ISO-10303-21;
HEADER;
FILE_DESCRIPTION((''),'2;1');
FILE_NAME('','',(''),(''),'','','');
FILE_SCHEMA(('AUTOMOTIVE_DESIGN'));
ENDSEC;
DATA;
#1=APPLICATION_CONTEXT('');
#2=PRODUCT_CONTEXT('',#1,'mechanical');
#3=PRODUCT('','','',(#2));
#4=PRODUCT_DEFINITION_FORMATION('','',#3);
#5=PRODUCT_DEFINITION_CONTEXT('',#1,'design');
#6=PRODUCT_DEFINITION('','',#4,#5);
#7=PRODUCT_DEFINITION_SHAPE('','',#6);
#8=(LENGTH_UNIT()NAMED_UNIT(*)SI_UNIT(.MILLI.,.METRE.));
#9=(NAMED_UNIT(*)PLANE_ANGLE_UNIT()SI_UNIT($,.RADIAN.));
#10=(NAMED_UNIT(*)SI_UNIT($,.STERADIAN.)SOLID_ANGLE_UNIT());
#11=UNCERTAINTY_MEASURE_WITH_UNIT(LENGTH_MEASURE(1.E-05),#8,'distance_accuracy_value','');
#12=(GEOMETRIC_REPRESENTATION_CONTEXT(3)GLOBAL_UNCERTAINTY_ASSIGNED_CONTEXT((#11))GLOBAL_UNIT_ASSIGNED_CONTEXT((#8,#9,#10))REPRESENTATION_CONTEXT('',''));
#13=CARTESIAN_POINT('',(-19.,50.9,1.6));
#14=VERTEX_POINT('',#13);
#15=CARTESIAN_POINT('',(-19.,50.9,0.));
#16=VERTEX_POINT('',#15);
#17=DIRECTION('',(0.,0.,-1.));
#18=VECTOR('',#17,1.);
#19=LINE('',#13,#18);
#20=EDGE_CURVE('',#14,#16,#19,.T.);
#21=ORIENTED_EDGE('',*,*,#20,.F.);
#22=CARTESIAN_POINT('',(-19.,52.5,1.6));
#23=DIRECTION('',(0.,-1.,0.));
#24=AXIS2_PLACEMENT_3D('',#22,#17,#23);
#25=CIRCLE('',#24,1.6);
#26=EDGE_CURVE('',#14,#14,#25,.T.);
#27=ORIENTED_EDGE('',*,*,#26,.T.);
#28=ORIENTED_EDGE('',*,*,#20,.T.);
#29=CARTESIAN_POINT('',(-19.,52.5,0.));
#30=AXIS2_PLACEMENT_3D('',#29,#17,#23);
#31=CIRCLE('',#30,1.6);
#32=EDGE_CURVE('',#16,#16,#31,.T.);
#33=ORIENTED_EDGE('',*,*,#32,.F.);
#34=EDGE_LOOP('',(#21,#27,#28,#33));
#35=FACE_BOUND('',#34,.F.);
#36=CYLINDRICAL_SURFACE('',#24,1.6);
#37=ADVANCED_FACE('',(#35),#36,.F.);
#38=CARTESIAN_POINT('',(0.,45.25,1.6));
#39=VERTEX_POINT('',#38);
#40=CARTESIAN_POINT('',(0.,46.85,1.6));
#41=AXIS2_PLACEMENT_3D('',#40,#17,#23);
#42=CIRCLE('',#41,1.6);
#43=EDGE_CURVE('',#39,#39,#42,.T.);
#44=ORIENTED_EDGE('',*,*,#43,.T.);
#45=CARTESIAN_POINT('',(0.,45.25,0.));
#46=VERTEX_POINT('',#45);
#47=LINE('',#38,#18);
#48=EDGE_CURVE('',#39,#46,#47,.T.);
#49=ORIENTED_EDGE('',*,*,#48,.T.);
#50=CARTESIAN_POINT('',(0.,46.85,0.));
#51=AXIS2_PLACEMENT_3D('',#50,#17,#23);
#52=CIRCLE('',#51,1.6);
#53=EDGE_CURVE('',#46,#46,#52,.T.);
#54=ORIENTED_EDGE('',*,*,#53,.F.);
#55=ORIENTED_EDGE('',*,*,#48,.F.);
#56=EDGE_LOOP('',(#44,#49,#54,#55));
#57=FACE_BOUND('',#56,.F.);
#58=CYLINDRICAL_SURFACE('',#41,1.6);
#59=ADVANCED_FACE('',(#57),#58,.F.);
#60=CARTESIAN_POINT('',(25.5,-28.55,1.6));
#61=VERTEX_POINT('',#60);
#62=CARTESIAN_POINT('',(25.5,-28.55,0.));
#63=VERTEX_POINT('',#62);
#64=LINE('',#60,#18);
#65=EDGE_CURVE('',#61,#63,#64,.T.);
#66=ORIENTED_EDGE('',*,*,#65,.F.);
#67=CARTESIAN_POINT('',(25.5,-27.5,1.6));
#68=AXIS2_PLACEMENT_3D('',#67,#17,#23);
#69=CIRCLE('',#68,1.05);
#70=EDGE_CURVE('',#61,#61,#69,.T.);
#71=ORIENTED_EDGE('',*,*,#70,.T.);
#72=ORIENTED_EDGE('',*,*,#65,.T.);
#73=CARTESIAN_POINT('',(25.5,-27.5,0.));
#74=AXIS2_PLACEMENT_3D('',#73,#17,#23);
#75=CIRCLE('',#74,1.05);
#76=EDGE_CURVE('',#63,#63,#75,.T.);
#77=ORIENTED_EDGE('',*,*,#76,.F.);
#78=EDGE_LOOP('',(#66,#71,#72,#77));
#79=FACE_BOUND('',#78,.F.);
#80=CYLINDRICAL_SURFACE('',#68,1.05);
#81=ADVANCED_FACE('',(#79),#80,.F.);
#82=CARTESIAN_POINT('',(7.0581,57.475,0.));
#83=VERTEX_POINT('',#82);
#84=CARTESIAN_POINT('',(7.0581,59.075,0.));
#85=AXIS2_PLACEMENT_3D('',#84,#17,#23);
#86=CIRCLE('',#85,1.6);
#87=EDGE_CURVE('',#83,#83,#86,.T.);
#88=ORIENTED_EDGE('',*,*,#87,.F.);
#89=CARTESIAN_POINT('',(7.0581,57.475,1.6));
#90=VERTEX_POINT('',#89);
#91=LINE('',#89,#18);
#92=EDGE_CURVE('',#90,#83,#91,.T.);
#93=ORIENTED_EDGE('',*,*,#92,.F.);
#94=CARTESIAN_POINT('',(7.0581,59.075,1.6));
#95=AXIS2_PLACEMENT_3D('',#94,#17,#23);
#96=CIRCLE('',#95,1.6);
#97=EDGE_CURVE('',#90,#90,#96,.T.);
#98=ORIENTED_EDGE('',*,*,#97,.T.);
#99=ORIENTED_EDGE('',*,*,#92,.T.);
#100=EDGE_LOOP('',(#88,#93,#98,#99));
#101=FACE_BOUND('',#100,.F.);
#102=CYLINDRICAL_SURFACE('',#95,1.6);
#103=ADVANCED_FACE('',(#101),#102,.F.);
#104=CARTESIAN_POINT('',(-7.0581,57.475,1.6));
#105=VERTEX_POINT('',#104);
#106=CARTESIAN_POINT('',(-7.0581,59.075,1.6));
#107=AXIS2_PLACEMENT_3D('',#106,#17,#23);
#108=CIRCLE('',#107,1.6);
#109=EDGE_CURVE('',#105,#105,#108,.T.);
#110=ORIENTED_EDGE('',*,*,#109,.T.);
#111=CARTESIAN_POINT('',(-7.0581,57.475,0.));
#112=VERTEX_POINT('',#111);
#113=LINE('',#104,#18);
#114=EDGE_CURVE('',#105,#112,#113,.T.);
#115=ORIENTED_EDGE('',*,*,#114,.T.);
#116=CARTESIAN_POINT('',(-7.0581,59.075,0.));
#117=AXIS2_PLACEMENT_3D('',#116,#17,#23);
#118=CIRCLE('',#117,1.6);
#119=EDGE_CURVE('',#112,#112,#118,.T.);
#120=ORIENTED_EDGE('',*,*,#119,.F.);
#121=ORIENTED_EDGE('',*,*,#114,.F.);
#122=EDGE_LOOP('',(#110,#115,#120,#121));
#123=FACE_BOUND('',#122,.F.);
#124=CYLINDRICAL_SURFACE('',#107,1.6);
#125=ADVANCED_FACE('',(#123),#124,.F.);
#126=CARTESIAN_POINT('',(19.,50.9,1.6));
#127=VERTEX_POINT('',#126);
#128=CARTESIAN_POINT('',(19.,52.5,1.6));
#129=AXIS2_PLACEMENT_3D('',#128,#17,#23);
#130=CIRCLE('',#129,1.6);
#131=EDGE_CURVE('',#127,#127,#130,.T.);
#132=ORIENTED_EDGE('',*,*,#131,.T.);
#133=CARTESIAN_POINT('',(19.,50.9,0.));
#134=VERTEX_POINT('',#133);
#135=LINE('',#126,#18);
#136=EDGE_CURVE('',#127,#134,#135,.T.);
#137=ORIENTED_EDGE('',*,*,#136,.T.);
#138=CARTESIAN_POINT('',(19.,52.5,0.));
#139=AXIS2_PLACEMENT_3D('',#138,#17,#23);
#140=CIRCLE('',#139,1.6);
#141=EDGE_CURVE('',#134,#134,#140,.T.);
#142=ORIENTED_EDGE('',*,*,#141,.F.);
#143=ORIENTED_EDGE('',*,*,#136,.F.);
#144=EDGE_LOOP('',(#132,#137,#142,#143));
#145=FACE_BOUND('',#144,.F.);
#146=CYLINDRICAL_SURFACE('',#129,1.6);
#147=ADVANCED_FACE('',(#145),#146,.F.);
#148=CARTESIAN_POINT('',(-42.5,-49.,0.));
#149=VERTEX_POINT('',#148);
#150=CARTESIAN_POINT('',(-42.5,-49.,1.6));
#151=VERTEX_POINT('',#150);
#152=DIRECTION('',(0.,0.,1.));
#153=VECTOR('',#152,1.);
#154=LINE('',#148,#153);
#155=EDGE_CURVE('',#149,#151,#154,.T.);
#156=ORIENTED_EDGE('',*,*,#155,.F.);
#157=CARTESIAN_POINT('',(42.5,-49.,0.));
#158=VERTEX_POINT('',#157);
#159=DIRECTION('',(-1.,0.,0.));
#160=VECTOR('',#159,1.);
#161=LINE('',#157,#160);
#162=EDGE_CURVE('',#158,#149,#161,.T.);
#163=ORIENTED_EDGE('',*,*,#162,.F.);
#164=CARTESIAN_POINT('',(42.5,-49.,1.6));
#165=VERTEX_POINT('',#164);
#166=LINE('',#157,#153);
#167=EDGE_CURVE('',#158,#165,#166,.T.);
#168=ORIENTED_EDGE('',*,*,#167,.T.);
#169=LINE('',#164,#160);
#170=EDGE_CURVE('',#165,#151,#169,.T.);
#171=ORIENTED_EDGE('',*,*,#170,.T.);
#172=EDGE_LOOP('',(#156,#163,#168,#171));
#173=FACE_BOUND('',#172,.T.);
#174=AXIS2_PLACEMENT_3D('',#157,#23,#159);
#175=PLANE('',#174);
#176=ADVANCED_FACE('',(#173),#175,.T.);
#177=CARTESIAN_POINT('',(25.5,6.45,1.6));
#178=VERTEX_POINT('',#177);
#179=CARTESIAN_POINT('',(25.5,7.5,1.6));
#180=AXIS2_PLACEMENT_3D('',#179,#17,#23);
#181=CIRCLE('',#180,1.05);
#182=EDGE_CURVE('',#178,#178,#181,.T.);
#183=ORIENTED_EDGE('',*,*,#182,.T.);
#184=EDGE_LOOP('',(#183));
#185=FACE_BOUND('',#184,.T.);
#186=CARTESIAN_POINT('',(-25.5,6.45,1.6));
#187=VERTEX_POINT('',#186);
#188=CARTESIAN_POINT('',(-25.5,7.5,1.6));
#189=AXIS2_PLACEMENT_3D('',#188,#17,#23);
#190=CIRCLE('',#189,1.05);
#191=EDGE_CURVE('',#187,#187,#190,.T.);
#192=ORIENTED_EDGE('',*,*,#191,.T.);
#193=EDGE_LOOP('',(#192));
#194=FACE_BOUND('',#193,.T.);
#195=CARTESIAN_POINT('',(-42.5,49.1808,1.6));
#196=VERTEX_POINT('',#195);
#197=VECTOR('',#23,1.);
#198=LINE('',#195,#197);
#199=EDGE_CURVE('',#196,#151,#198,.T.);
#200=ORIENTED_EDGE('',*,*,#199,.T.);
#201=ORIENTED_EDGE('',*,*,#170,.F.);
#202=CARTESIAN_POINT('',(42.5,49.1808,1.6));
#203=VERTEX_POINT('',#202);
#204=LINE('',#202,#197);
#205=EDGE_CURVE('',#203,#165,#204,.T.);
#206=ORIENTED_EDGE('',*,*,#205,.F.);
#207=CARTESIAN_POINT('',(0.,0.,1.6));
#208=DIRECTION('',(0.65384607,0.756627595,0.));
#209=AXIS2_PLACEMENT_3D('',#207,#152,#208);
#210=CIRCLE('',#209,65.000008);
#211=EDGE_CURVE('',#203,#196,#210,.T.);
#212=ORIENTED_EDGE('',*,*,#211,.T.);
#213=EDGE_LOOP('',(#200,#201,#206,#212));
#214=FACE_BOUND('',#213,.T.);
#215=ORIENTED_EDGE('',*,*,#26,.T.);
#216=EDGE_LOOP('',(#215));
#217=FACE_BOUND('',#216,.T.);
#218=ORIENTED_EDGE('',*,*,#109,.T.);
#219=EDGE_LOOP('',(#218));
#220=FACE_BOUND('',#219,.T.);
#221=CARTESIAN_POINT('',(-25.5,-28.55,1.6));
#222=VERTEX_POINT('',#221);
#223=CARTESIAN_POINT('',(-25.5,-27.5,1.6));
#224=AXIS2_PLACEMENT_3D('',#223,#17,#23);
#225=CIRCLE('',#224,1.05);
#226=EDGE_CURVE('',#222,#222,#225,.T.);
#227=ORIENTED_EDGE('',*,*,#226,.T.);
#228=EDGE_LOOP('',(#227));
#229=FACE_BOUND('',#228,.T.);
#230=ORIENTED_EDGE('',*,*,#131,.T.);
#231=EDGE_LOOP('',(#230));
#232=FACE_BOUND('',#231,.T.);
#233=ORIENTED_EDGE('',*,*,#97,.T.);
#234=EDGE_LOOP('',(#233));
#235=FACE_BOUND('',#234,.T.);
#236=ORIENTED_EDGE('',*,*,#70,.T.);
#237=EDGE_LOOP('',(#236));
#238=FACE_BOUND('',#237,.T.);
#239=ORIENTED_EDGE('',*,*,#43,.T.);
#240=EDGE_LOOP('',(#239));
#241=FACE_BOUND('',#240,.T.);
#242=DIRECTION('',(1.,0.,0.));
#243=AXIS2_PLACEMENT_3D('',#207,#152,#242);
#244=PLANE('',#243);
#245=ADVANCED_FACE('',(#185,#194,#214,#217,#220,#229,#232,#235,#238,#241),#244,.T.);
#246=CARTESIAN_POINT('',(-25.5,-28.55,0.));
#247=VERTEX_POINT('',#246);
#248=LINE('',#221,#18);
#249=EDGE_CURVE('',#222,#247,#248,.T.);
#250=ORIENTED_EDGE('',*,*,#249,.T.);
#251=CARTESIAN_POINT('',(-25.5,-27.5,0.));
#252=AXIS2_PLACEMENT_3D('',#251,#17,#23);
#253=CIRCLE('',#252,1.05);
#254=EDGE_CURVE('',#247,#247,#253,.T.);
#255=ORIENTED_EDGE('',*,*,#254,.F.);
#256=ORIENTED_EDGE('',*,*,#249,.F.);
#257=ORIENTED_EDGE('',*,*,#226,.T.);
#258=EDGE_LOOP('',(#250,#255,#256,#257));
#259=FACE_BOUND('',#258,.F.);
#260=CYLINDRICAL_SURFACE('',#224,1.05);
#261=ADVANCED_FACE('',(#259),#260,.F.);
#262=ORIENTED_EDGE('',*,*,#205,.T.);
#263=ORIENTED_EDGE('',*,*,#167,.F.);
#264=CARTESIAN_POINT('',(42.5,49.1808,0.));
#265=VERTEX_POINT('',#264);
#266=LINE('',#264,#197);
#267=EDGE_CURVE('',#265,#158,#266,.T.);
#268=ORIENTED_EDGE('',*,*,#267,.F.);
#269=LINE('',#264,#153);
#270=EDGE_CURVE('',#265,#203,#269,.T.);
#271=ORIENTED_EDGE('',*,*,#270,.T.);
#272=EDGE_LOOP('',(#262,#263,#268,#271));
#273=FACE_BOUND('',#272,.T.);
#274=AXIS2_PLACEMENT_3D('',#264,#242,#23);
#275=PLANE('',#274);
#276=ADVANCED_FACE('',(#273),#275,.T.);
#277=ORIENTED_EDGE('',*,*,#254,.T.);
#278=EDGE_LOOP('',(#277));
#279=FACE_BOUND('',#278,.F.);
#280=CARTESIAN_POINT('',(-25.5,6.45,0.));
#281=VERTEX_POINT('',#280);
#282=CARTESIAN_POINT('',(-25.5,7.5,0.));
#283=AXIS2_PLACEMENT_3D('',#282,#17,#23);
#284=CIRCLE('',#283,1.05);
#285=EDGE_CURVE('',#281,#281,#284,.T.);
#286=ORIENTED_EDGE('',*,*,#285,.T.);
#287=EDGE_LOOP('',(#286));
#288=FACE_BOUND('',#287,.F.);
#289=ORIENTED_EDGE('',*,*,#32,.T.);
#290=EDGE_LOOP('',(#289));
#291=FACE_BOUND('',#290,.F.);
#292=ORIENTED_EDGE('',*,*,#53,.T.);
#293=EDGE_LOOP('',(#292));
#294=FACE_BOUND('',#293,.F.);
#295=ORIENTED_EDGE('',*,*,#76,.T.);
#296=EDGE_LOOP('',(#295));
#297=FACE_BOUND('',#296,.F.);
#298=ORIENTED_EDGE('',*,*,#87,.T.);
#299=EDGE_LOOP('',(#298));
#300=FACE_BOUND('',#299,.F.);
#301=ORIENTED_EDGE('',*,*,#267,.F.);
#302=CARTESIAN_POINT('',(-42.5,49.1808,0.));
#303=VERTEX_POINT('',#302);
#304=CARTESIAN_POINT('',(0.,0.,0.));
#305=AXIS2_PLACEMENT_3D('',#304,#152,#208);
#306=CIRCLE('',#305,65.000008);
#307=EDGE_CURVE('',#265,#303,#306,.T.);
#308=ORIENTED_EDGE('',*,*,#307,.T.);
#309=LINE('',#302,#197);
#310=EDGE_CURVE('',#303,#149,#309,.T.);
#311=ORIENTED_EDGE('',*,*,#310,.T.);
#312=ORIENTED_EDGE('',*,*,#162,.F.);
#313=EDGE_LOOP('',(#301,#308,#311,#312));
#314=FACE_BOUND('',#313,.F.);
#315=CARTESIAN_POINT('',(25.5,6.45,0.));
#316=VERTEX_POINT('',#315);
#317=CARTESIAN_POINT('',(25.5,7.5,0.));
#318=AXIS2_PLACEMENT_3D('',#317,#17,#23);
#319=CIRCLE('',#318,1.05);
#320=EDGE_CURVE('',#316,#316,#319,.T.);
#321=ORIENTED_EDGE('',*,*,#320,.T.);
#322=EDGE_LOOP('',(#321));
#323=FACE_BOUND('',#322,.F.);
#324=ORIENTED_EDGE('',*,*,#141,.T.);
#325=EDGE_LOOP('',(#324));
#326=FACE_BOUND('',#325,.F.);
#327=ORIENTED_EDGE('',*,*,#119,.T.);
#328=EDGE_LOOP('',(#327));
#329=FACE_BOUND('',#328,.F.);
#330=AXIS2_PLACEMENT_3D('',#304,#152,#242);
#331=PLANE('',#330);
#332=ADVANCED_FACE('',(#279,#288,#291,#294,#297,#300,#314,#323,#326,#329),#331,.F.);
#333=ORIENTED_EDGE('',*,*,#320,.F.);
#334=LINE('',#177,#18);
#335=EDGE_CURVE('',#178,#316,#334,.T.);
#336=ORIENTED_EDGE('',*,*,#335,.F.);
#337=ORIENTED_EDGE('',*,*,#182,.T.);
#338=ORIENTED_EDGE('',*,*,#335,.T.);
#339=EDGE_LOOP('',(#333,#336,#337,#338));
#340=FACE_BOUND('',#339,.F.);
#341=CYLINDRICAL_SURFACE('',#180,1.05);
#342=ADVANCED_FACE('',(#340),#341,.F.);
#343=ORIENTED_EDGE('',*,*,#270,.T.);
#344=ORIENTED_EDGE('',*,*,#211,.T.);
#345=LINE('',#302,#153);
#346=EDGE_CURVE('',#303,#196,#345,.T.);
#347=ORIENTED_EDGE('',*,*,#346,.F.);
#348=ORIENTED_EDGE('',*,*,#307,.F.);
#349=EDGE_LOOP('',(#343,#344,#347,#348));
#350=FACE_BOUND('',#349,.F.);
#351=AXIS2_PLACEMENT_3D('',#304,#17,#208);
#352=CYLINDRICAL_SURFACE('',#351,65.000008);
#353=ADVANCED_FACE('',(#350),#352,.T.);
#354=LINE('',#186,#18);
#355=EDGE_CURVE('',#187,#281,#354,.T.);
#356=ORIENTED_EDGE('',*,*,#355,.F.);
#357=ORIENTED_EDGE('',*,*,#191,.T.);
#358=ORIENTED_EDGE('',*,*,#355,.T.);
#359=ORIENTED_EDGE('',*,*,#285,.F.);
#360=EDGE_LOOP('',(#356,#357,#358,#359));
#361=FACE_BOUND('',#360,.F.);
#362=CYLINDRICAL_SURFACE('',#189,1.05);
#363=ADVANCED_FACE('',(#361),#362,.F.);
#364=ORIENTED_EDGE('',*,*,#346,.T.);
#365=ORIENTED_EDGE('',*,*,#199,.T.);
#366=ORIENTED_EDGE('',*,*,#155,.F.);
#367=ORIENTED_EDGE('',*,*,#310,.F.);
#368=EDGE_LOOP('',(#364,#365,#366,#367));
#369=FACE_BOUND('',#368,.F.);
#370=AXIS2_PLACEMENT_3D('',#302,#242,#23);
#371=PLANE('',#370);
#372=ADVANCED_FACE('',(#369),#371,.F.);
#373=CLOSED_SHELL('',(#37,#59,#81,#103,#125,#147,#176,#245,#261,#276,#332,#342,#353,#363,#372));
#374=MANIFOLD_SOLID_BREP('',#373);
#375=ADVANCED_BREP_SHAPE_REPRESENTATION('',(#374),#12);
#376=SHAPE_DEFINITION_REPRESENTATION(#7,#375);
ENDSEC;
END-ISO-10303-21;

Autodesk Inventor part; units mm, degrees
ref_plane "YZ Plane" through (0, 0, 0) normal (1, 0, 0) x (0, 1, 0)
ref_plane "XZ Plane" through (0, 0, 0) normal (0, 1, 0) x (-1, 0, 0)
ref_plane "XY Plane" through (0, 0, 0) normal (0, 0, 1) x (1, 0, 0)
sketch "スケッチ1" plane through (0, 0, 0) normal (0, 0, 1) x (1, 0, 0)
  circle A0 centre (0, 0) radius 65 construction
  line L0 (-42.5, 65) -> (42.5, 65) construction
  line L1 (42.5, 65) -> (42.5, -65) construction
  line L2 (42.5, -65) -> (-42.5, -65) construction
  line L3 (-42.5, -65) -> (-42.5, 65) construction
  arc A1 (42.5, 49.1808) -> (-42.5, 49.1808) centre (0, 0) ccw
  line L4 (-42.5, 49.1808) -> (-42.5, -49.1808)
  line L5 (42.5, 49.1808) -> (42.5, -49.1808)
  arc A2 (-42.5, -49.1808) -> (42.5, -49.1808) centre (0, 0) ccw
  line L6 (42.5, -49) -> (-42.5, -49)
  point P0 (0, 65)
  dimension "d0" = 130
  dimension "d1" = 85
  dimension "d41" = 49
extrude "基板" add sketch "スケッチ1" along normal blind 1.6 contours L5 L6 L4 A1
sketch "スケッチ2" plane through (0, 0, 1.6) normal (0, 0, 1) x (1, 0, 0)
  line L0 (0, 110.7931) -> (0, -110.7931) construction
  line L1 (-42.5, 49.1808) -> (-42.5, -49) construction
  line L2 (-63.4163, -10) -> (63.4163, -10) construction
  point P0 (0, 0)
  point P1 (0, 0)
  point P2 (0, 0)
  point P3 (-42.5, -49.1808)
  point P4 (-25.5, -27.5)
  point P5 (-25.5, 7.5)
  point P6 (25.5, -27.5)
  point P7 (25.5, 7.5)
  point P8 (0, -10)
  dimension "d38" = 35
  dimension "d39" = 17
  dimension "d40" = 10
hole "モータ取付穴" at (-25.5, -27.5, 1.6) at (-25.5, 7.5, 1.6) at (25.5, -27.5, 1.6) at (25.5, 7.5, 1.6) direction (0, 0, -1) diameter 2.1 end through all
sketch "スケッチ3" plane through (0, 0, 1.6) normal (0, 0, 1) x (1, 0, 0)
  line L0 (0, 0) -> (0, 55.332) construction
  line L1 (-15.38, 55) -> (15.38, 55) construction
  line L2 (0, 46.85) -> (-7.0581, 50.925) construction
  line L3 (-7.0581, 50.925) -> (-7.0581, 59.075) construction
  line L4 (-7.0581, 59.075) -> (0, 63.15) construction
  line L5 (0, 63.15) -> (7.0581, 59.075) construction
  line L6 (7.0581, 59.075) -> (7.0581, 50.925) construction
  line L7 (7.0581, 50.925) -> (0, 46.85) construction
  arc A0 (42.5, 49.1808) -> (-42.5, 49.1808) centre (0, 0) ccw construction
  point P0 (0, 55)
  point P1 (0, 55)
  point P2 (0, 65)
  dimension "d17" = 16.3
  dimension "d18" = 10
hole "ボールキャスター取付穴" at (-7.0581, 59.075, 1.6) at (7.0581, 59.075, 1.6) at (0, 46.85, 1.6) direction (0, 0, -1) diameter 3.2 end through all
sketch "スケッチ5" plane through (0, 0, 1.6) normal (0, 0, 1) x (1, 0, 0)
  line L0 (0, 0) -> (0, 96.0936) construction
  line L1 (-67.6385, -10) -> (77.8935, -10) construction
  point P0 (-19, 52.5)
  point P1 (19, 52.5)
  dimension "d42" = 38
  dimension "d43" = 10
  dimension "d44" = 62.5
hole "穴4" at (-19, 52.5, 1.6) at (19, 52.5, 1.6) direction (0, 0, -1) diameter 3.2 end through all
properties part number "BaseBoard2"
